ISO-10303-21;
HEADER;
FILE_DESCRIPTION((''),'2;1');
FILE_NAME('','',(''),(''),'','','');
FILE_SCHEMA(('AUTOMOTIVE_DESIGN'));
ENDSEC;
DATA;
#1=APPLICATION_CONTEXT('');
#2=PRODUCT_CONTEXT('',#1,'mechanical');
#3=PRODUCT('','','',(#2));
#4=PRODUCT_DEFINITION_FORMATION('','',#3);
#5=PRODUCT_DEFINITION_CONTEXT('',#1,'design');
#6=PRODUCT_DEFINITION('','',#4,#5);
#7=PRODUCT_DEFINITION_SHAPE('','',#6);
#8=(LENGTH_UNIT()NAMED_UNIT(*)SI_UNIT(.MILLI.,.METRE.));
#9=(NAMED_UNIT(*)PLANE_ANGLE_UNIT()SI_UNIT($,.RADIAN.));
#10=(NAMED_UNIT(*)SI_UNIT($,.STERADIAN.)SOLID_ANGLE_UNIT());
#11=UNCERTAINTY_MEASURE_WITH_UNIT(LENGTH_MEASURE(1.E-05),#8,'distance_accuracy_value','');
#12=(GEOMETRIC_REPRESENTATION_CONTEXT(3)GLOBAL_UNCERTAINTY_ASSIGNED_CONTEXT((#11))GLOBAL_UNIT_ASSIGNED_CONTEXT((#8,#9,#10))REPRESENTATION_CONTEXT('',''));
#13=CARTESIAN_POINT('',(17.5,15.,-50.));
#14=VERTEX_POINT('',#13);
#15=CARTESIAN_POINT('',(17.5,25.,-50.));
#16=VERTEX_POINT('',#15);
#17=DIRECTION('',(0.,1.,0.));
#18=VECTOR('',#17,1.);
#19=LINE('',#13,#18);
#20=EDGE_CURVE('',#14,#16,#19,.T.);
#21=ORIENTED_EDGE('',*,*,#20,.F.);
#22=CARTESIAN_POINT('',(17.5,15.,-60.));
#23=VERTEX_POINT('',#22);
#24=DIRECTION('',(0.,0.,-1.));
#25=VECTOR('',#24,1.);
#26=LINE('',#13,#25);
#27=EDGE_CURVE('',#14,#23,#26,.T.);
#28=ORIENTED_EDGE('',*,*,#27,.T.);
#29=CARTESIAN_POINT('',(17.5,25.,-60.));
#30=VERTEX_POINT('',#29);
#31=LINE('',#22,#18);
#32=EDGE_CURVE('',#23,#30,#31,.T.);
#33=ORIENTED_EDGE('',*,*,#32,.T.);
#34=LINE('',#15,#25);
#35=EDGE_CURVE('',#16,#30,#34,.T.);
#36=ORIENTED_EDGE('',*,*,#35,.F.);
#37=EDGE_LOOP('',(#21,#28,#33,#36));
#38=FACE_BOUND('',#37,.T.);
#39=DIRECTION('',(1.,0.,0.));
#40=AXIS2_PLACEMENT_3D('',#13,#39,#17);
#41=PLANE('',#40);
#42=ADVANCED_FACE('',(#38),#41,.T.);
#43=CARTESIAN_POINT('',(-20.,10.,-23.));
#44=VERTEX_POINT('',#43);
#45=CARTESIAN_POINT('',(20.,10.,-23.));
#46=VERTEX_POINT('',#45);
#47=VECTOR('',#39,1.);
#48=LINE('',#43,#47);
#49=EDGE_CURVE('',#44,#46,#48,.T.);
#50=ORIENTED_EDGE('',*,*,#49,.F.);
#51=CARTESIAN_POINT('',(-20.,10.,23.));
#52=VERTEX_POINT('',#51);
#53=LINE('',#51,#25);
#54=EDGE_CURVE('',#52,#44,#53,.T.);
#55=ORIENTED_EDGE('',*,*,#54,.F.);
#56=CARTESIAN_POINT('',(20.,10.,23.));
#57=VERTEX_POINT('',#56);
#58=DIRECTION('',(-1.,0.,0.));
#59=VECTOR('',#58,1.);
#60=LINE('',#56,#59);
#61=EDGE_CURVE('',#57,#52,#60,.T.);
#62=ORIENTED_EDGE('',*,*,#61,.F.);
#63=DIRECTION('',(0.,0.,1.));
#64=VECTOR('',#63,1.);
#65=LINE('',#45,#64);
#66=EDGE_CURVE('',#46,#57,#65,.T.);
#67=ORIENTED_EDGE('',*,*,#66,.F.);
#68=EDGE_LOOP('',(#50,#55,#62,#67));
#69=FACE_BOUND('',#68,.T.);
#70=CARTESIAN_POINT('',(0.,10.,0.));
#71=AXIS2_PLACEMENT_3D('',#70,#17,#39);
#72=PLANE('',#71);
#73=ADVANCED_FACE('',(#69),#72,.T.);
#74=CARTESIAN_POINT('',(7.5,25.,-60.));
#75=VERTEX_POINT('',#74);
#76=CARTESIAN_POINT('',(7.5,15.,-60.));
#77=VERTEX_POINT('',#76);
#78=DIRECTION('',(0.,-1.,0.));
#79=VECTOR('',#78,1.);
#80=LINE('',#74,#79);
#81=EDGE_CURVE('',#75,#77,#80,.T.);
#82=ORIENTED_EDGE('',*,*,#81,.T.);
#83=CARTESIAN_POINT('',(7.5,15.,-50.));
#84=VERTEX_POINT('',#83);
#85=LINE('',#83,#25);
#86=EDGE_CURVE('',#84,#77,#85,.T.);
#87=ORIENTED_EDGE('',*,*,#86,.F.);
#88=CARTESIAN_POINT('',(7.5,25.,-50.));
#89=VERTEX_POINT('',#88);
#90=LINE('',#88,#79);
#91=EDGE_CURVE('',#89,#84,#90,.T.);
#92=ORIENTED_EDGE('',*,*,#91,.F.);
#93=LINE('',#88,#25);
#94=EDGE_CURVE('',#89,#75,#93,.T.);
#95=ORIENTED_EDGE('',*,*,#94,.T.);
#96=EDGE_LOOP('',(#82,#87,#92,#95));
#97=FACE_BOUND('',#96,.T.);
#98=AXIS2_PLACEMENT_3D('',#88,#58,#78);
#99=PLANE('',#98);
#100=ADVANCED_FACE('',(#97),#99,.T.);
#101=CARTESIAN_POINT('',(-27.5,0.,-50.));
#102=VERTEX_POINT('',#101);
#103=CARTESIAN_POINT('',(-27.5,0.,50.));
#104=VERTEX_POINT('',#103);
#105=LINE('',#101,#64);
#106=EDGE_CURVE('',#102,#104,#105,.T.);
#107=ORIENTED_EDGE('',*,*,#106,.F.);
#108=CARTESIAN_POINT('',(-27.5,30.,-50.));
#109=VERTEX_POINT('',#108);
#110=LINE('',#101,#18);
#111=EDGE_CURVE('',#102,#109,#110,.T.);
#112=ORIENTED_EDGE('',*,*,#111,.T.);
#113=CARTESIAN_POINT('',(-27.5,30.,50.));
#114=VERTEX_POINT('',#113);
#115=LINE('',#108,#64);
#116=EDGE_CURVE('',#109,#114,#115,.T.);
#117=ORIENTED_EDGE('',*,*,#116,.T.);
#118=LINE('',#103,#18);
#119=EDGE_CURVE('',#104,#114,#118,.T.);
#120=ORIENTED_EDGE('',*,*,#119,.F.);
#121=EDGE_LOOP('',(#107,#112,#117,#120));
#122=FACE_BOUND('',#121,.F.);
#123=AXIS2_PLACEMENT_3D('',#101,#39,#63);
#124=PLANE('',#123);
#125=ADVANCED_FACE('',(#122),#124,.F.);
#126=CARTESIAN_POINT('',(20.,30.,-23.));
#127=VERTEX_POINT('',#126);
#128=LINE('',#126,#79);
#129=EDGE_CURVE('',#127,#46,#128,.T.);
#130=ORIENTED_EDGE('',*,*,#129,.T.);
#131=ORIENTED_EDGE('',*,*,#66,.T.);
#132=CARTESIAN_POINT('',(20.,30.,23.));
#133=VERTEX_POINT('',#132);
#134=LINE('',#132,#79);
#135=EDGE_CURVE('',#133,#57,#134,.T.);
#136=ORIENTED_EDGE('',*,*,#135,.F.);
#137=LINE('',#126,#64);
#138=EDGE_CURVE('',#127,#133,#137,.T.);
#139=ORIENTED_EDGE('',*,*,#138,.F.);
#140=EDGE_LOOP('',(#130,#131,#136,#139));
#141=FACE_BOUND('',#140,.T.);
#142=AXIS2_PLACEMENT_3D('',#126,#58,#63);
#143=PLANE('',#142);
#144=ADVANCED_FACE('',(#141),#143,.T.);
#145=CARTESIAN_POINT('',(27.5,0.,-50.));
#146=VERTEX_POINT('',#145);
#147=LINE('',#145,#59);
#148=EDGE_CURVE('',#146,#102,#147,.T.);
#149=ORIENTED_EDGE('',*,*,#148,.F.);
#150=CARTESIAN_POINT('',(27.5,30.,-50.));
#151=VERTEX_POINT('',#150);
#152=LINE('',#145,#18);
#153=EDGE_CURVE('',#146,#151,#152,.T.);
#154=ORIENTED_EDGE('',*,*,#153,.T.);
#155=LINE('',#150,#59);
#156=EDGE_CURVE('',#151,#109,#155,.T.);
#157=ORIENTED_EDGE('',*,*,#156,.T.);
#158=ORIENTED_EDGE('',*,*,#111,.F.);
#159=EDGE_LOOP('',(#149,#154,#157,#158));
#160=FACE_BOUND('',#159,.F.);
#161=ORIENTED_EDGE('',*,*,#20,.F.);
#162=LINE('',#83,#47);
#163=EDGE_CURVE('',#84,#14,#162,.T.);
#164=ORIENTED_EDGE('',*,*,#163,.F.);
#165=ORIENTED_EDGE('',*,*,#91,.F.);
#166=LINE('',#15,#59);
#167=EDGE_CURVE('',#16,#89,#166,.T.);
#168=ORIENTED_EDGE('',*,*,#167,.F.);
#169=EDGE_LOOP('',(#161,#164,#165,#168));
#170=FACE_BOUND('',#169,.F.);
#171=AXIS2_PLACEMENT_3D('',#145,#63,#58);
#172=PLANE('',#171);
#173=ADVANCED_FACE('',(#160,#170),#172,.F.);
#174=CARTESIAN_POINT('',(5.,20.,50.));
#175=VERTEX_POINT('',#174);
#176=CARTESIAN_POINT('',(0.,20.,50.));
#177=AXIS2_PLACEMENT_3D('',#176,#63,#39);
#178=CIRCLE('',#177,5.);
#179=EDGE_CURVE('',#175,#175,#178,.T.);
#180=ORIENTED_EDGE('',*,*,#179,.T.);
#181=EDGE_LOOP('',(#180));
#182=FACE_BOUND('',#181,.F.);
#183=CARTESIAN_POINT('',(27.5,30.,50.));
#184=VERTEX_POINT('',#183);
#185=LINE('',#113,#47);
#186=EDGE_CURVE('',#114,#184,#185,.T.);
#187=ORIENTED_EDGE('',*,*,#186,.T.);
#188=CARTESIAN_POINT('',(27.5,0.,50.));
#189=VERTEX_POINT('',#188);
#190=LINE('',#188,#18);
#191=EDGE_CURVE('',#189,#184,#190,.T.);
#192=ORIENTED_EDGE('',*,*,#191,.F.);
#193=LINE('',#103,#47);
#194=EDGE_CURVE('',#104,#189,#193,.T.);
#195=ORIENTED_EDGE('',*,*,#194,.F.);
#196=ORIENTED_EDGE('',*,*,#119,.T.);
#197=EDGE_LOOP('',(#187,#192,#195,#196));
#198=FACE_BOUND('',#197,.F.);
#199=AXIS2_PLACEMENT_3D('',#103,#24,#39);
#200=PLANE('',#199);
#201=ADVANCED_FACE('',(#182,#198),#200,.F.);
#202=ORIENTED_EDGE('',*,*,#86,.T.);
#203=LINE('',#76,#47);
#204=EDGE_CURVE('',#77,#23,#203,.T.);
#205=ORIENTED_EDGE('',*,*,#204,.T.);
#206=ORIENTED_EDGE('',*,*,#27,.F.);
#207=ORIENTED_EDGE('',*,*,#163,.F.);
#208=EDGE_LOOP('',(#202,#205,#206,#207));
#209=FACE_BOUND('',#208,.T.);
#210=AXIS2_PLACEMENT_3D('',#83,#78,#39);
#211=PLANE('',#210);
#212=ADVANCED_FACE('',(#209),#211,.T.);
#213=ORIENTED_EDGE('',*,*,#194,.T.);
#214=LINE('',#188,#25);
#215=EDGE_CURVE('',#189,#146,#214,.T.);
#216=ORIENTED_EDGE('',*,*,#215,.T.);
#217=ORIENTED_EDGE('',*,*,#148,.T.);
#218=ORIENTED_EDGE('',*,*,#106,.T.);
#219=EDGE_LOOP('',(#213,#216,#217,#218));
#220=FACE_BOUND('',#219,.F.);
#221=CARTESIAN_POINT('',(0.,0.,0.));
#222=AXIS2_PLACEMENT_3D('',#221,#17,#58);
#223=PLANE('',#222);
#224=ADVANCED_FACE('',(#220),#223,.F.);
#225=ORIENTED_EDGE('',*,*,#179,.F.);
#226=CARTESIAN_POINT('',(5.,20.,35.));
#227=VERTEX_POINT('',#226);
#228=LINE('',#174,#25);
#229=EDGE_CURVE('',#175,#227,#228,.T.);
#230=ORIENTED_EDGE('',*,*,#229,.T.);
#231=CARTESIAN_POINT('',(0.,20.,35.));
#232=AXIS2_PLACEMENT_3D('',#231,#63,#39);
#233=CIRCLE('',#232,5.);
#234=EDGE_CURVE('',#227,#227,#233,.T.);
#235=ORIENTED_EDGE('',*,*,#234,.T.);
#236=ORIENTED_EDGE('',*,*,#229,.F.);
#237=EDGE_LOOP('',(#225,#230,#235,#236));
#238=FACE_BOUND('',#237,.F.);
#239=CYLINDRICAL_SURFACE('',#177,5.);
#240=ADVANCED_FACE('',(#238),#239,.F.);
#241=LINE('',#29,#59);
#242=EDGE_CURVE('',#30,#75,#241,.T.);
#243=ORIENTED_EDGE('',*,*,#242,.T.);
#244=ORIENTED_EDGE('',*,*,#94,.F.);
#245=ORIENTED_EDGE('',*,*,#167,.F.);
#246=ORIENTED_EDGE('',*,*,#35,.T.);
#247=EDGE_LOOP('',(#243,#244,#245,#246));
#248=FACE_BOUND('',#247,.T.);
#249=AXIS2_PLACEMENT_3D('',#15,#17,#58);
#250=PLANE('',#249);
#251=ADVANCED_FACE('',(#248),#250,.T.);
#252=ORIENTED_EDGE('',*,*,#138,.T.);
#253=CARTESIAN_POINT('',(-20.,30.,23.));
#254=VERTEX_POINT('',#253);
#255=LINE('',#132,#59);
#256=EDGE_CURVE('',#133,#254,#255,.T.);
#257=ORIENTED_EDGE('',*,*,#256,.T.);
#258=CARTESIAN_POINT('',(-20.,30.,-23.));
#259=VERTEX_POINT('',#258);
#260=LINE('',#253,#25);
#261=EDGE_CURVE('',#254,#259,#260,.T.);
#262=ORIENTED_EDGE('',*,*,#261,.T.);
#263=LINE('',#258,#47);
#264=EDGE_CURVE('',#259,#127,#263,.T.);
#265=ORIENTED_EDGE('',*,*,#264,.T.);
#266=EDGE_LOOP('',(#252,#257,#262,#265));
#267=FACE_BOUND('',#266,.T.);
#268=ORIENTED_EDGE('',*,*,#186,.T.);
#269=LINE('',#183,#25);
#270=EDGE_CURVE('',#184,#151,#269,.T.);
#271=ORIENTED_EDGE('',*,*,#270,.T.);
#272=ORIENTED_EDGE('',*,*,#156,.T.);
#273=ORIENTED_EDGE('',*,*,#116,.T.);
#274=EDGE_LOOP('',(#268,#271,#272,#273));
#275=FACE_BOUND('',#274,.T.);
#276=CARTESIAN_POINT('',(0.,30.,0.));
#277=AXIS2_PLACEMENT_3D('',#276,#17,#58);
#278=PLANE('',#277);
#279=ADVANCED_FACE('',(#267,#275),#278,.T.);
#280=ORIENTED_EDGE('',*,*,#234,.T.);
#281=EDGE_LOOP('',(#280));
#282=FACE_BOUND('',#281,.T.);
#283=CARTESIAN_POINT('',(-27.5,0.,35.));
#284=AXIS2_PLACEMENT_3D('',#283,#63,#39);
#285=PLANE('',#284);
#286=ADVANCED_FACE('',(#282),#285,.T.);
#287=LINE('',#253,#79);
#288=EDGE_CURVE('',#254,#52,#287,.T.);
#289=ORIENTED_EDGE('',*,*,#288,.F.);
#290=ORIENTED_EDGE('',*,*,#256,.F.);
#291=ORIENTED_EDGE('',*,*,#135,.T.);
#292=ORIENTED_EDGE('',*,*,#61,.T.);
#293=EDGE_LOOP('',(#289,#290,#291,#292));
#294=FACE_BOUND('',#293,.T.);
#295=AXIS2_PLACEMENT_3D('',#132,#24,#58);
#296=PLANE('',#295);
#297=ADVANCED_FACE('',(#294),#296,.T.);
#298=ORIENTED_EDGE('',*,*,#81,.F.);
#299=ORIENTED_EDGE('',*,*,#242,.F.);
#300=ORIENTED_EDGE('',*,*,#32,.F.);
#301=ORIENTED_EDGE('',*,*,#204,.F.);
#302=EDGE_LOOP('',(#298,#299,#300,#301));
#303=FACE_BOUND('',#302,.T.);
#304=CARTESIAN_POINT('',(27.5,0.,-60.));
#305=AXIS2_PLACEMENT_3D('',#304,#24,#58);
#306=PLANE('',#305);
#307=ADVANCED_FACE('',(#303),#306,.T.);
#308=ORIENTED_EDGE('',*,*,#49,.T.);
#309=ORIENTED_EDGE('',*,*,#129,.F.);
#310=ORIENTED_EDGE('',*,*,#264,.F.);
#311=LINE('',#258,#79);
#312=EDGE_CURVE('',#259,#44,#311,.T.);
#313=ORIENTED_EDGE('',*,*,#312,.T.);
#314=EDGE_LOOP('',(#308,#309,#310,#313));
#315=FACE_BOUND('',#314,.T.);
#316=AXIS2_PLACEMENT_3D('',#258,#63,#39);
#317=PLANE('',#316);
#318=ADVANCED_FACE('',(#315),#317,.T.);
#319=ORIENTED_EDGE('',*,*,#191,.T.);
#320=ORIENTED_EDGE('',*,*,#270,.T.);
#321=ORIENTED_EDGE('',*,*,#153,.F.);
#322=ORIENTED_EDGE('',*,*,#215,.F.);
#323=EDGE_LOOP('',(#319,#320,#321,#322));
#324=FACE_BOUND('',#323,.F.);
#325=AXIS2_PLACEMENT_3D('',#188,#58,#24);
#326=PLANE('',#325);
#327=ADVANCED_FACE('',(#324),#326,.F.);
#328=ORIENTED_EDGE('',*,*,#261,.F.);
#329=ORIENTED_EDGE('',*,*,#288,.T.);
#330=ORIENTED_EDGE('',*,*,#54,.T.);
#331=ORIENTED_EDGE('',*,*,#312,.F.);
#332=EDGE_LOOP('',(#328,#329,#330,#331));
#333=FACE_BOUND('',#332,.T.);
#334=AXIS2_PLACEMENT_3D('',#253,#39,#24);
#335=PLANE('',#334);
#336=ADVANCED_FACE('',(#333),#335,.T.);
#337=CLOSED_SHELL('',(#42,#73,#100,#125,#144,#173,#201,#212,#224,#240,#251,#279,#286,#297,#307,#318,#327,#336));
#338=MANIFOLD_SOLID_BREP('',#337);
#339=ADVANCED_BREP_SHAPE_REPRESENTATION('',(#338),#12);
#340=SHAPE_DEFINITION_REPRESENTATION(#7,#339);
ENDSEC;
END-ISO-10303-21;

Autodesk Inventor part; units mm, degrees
ref_plane "YZ Plane" through (0, 0, 0) normal (1, 0, 0) x (0, 1, 0)
ref_plane "XZ Plane" through (0, 0, 0) normal (0, 1, 0) x (-1, 0, 0)
ref_plane "XY Plane" through (0, 0, 0) normal (0, 0, 1) x (1, 0, 0)
sketch "Boceto1" plane through (0, 0, 0) normal (0, 1, 0) x (-1, 0, 0)
  line L0 (27.5, 50) -> (-27.5, 50)
  line L1 (-27.5, 50) -> (-27.5, -50)
  line L2 (-27.5, -50) -> (27.5, -50)
  line L3 (27.5, -50) -> (27.5, 50)
  line L4 (27.5, 50) -> (-27.5, -50) construction
  line L5 (-27.5, 50) -> (27.5, -50) construction
  point P0 (0, 0)
  dimension "d0" = 55
  dimension "d1" = 100
extrude "Extrusión1" add sketch "Boceto1" along normal blind 30
sketch "Boceto2" plane through (27.5, 0, -50) normal (0, 0, -1) x (-1, 0, 0)
  line L0 (10, 25) -> (20, 25)
  line L1 (20, 25) -> (20, 15)
  line L2 (20, 15) -> (10, 15)
  line L3 (10, 15) -> (10, 25)
  line L4 (10, 25) -> (20, 15) construction
  line L5 (20, 25) -> (10, 15) construction
  line L6 (0, 30) -> (55, 30) projected
  line L7 (0, 0) -> (0, 30) projected
  point P0 (27.5, 0)
  point P1 (15, 20)
  point P2 (15, 25)
  dimension "d4" = 10
  dimension "d5" = 10
  dimension "d6" = 5
  dimension "d7" = 10
extrude "Extrusión2" add sketch "Boceto2" along normal blind 10
sketch "Boceto3" plane through (-27.5, 0, 50) normal (0, 0, 1) x (1, 0, 0)
  circle A0 centre (27.5, 20) radius 5
  line L0 (0, 30) -> (55, 30) projected
  point P0 (27.5, 0)
  point P1 (27.5, 30)
  dimension "d10" = 10
  dimension "d11" = 10
extrude "Extrusión3" cut sketch "Boceto3" against normal blind 15
sketch "Boceto4" plane through (0, 30, 0) normal (0, 1, 0) x (1, 0, 0)
  line L0 (-20, 23) -> (20, 23)
  line L1 (20, 23) -> (20, -23)
  line L2 (20, -23) -> (-20, -23)
  line L3 (-20, -23) -> (-20, 23)
  line L4 (-20, 23) -> (20, -23) construction
  line L5 (20, 23) -> (-20, -23) construction
  point P0 (0, 0)
  dimension "d14" = 40
  dimension "d15" = 46
extrude "Extrusión4" cut sketch "Boceto4" against normal blind 20
properties part number "camera_support_2"
